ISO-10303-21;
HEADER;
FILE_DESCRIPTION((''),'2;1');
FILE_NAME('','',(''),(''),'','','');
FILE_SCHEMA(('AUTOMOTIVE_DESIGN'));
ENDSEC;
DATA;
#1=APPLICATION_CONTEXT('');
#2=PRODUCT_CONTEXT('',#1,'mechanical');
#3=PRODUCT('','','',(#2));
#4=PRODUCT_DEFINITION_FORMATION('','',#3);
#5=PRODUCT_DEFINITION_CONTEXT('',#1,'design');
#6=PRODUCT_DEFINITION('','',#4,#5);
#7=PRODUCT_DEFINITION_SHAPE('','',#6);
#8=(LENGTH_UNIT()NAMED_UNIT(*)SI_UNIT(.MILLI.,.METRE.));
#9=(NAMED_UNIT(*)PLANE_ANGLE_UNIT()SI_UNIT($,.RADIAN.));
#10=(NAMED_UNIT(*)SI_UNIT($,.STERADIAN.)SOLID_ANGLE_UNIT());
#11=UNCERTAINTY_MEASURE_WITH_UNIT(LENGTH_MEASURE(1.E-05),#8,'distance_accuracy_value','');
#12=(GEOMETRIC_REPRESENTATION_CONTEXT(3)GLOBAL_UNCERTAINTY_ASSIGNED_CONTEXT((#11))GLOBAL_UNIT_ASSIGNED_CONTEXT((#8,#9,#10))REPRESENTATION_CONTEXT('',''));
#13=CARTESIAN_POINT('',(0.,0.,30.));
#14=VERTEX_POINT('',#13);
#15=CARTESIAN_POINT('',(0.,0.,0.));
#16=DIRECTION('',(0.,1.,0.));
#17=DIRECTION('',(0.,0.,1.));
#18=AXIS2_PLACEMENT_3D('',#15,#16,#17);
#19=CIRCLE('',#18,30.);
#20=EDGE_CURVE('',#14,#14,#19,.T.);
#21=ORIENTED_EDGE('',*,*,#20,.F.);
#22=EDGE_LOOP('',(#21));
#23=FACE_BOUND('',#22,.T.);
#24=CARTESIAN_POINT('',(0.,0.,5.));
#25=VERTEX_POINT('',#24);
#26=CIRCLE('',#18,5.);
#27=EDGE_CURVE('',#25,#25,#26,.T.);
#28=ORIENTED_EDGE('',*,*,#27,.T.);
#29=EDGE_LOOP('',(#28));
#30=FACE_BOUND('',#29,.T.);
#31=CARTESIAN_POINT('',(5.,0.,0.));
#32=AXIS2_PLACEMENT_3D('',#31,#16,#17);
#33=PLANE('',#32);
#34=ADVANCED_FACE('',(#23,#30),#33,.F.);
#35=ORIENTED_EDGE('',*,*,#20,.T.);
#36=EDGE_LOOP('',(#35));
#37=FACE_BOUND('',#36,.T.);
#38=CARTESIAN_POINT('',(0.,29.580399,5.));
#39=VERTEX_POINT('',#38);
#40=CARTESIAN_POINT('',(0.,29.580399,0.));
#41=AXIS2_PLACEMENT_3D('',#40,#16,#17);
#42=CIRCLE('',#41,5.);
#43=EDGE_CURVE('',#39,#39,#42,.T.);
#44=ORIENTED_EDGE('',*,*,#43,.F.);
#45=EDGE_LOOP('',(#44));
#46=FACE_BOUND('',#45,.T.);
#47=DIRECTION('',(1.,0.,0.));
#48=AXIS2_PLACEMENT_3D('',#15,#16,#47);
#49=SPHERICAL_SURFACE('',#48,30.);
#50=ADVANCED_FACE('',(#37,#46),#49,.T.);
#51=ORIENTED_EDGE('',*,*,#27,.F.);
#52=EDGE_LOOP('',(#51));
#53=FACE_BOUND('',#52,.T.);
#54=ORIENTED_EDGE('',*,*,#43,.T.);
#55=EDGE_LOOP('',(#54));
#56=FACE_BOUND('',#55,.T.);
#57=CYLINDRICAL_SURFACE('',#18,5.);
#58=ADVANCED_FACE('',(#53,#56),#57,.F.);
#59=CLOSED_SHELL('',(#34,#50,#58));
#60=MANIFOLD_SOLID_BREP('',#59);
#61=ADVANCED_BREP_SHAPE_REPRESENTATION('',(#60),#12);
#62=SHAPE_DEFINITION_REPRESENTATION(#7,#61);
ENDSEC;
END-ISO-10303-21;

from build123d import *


with BuildPart() as part:
    # 草图2 → 旋转1 (revolve)
    with BuildSketch(Plane.XY):
        with BuildLine():
            Line((5, 0), (30, 0))
            ThreePointArc((30, 0), (22.912878475, 19.364916731), (5, 29.580398915))
            Line((5, 29.580398915), (5, 0))
        make_face()
    revolve(axis=Axis((0, 0, 0), (0, -1, 0)))


solid = part.part
